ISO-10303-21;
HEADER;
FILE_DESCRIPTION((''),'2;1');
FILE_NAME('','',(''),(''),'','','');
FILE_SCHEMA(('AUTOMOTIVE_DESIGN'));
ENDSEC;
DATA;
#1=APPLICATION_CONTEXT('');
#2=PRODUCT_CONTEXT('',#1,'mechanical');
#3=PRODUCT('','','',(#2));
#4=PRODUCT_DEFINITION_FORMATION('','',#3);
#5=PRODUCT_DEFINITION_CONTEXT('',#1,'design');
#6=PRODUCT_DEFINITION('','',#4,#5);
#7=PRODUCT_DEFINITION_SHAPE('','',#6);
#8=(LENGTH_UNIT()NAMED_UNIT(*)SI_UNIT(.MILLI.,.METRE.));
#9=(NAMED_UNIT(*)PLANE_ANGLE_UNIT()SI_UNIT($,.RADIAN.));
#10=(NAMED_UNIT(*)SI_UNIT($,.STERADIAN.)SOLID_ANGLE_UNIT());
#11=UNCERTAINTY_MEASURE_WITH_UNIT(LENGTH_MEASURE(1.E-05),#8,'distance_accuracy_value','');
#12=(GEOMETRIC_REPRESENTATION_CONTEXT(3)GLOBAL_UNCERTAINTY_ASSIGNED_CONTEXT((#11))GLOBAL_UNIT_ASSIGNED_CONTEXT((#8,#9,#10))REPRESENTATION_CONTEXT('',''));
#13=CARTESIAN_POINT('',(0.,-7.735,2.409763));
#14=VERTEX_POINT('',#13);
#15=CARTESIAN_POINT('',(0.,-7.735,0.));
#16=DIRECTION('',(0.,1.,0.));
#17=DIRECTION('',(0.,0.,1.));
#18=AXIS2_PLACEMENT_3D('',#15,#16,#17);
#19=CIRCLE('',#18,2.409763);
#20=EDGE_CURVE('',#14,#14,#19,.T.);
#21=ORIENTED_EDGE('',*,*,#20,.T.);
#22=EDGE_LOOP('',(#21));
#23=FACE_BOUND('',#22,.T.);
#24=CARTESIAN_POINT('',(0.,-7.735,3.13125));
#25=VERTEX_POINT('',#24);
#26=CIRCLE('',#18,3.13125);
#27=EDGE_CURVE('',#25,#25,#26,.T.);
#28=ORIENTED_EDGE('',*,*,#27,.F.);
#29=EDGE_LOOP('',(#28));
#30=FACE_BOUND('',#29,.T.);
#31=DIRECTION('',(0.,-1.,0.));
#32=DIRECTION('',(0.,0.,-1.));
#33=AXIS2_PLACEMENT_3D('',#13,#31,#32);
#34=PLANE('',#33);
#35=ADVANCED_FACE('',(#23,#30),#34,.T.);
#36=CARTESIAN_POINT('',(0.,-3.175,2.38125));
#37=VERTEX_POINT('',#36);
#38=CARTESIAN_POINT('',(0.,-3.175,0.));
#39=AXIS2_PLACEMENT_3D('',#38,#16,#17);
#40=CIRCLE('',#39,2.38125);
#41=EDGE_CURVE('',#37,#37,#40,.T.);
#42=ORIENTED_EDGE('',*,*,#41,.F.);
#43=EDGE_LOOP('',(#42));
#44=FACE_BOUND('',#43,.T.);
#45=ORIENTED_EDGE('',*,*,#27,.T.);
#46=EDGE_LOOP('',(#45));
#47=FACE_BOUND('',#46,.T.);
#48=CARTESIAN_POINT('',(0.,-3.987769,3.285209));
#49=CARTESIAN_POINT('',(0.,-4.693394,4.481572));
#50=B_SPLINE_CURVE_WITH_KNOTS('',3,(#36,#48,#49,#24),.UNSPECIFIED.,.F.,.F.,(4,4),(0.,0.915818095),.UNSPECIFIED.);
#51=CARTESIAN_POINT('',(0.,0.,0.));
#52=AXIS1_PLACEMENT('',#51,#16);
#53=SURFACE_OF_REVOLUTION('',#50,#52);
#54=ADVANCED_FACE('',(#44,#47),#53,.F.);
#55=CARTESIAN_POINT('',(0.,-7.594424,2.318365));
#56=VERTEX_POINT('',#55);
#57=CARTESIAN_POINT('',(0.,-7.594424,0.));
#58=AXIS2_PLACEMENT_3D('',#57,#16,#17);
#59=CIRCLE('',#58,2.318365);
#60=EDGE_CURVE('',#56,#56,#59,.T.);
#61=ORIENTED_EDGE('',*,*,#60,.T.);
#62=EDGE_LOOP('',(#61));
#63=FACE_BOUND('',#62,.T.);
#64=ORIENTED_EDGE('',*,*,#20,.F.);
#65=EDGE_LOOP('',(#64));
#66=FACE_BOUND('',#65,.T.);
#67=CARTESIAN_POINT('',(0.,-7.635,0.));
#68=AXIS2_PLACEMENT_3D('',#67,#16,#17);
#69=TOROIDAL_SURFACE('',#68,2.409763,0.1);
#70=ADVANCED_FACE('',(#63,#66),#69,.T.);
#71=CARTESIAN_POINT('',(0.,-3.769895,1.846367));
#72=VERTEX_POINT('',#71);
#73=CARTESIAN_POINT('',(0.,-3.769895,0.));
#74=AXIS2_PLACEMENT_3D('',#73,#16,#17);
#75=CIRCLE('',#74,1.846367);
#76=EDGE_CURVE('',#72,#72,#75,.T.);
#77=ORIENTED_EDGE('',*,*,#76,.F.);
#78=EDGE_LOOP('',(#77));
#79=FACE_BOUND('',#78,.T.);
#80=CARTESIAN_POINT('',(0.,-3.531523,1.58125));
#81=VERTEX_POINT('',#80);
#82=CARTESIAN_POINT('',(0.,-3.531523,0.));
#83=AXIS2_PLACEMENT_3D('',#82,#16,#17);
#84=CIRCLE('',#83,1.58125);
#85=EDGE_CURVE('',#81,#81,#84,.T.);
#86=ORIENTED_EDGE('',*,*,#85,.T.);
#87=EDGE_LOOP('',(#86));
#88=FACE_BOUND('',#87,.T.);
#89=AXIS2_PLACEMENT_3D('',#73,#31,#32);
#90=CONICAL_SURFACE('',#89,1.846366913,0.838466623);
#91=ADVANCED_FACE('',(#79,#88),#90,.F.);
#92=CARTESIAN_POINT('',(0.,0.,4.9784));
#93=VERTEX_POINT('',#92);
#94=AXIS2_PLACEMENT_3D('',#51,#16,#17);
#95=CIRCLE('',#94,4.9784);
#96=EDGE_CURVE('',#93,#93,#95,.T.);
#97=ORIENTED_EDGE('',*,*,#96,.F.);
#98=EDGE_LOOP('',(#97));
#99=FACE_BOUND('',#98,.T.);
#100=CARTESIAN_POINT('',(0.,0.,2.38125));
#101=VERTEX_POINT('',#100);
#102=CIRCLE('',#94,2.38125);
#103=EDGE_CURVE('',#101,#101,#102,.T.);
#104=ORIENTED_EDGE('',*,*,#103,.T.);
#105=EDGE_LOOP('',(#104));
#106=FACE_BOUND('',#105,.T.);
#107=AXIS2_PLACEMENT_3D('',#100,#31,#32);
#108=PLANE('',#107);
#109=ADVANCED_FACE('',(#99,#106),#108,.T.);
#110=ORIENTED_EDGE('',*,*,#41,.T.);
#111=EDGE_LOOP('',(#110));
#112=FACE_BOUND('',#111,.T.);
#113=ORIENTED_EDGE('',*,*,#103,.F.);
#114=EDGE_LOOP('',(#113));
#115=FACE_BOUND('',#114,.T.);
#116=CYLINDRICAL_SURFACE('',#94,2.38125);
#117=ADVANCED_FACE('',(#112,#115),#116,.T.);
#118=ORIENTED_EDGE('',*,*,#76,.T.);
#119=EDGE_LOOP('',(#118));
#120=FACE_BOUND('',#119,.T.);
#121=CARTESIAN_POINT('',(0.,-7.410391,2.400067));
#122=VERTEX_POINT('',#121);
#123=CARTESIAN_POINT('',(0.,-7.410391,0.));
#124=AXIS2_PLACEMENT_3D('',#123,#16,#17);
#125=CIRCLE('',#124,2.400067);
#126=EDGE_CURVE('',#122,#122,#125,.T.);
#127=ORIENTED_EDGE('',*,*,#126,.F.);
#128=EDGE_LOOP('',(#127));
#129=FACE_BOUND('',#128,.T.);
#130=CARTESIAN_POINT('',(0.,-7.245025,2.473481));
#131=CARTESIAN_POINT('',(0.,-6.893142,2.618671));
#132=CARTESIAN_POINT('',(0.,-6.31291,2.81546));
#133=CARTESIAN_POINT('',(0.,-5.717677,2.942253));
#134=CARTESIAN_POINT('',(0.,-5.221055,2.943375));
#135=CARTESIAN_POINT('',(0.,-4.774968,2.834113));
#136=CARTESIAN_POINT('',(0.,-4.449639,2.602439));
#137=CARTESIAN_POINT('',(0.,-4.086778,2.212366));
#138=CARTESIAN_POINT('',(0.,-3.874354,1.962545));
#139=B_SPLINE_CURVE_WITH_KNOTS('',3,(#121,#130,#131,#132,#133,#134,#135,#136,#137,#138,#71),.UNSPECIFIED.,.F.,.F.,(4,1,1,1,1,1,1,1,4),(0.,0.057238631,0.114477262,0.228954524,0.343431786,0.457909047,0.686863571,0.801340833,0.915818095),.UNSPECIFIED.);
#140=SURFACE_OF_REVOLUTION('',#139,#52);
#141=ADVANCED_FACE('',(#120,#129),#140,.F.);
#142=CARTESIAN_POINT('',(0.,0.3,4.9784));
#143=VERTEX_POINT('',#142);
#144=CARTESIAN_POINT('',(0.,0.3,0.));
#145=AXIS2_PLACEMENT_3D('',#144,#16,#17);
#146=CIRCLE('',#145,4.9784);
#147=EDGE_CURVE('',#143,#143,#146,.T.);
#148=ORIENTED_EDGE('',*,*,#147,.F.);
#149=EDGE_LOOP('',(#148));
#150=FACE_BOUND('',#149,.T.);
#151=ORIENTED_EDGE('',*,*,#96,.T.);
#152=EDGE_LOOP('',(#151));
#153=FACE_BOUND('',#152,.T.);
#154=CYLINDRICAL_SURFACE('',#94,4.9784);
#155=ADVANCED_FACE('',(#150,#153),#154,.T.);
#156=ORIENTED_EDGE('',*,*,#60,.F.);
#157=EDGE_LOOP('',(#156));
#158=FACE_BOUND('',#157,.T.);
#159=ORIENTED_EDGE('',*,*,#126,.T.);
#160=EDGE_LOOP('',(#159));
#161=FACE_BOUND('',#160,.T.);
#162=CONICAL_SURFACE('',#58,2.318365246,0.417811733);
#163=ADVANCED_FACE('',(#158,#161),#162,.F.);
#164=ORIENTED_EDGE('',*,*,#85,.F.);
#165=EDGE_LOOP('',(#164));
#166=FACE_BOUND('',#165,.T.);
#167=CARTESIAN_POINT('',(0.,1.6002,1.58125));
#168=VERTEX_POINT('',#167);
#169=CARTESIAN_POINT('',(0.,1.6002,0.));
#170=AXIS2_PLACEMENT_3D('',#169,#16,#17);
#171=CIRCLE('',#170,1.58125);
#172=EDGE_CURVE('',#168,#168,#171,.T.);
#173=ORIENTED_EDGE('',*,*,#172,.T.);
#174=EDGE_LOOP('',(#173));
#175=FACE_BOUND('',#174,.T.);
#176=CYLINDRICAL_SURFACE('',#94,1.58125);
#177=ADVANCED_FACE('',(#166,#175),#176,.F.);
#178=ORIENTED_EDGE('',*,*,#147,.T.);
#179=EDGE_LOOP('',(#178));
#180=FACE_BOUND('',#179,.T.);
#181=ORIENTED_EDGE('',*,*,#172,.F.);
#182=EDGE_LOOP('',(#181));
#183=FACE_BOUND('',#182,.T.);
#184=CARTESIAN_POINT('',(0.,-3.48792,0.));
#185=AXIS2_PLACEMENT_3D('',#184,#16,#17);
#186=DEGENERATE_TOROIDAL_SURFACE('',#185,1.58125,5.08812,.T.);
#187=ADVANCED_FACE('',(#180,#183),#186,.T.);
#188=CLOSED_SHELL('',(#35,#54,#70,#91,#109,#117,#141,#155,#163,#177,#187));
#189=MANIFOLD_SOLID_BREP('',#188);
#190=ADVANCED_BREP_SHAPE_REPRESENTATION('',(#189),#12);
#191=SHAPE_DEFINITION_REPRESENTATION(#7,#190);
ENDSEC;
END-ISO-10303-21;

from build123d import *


with BuildPart() as part:
    # Sketch1 → Revolve1 (revolve)
    with BuildSketch(Plane(origin=(0, 0, 0), x_dir=(0, 0, -1), z_dir=(1, 0, 0))):
        with BuildLine():
            Line((-2.38125, 0), (-2.38125, -3.175))
            add(Edge.make_bspline(
                [(-3.13125, -7.735), (-4.481572132, -4.69339441), (-3.285209116, -3.987769359), (-2.38125, -3.175)],
                knots=[0, 0, 0, 0, 0.915818095, 0.915818095, 0.915818095, 0.915818095], degree=3))
            Line((-3.13125, -7.735), (-2.40976315, -7.735))
            ThreePointArc((-2.40976315, -7.735), (-2.325925169, -7.689508651), (-2.318365246, -7.59442386))
            Line((-2.318365246, -7.59442386), (-2.400066766, -7.410390883))
            add(Edge.make_bspline(
                [(-2.400066766, -7.410390883), (-2.473481138, -7.24502474), (-2.618671482, -6.893141661), (-2.815459664, -6.312909566), (-2.942253182, -5.717677034), (-2.94337461, -5.221055296), (-2.834112517, -4.774968107), (-2.602438756, -4.449638795), (-2.212365795, -4.086777888), (-1.962545412, -3.874353641), (-1.846366913, -3.769895018)],
                knots=[0, 0, 0, 0, 0.057238631, 0.114477262, 0.228954524, 0.343431786, 0.457909047, 0.686863571, 0.801340833, 0.915818095, 0.915818095, 0.915818095, 0.915818095], degree=3))
            Line((-1.846366913, -3.769895018), (-1.58125, -3.531522619))
            Line((-1.58125, -3.531522619), (-1.58125, 1.6002))
            ThreePointArc((-1.58125, 1.6002), (-3.399982262, 1.264045733), (-4.9784, 0.3))
            Line((-4.9784, 0.3), (-4.9784, 0))
            Line((-4.9784, 0), (-2.38125, 0))
        make_face()
    revolve(axis=Axis((0, 0, 0), (0, -1, 0)))


solid = part.part
